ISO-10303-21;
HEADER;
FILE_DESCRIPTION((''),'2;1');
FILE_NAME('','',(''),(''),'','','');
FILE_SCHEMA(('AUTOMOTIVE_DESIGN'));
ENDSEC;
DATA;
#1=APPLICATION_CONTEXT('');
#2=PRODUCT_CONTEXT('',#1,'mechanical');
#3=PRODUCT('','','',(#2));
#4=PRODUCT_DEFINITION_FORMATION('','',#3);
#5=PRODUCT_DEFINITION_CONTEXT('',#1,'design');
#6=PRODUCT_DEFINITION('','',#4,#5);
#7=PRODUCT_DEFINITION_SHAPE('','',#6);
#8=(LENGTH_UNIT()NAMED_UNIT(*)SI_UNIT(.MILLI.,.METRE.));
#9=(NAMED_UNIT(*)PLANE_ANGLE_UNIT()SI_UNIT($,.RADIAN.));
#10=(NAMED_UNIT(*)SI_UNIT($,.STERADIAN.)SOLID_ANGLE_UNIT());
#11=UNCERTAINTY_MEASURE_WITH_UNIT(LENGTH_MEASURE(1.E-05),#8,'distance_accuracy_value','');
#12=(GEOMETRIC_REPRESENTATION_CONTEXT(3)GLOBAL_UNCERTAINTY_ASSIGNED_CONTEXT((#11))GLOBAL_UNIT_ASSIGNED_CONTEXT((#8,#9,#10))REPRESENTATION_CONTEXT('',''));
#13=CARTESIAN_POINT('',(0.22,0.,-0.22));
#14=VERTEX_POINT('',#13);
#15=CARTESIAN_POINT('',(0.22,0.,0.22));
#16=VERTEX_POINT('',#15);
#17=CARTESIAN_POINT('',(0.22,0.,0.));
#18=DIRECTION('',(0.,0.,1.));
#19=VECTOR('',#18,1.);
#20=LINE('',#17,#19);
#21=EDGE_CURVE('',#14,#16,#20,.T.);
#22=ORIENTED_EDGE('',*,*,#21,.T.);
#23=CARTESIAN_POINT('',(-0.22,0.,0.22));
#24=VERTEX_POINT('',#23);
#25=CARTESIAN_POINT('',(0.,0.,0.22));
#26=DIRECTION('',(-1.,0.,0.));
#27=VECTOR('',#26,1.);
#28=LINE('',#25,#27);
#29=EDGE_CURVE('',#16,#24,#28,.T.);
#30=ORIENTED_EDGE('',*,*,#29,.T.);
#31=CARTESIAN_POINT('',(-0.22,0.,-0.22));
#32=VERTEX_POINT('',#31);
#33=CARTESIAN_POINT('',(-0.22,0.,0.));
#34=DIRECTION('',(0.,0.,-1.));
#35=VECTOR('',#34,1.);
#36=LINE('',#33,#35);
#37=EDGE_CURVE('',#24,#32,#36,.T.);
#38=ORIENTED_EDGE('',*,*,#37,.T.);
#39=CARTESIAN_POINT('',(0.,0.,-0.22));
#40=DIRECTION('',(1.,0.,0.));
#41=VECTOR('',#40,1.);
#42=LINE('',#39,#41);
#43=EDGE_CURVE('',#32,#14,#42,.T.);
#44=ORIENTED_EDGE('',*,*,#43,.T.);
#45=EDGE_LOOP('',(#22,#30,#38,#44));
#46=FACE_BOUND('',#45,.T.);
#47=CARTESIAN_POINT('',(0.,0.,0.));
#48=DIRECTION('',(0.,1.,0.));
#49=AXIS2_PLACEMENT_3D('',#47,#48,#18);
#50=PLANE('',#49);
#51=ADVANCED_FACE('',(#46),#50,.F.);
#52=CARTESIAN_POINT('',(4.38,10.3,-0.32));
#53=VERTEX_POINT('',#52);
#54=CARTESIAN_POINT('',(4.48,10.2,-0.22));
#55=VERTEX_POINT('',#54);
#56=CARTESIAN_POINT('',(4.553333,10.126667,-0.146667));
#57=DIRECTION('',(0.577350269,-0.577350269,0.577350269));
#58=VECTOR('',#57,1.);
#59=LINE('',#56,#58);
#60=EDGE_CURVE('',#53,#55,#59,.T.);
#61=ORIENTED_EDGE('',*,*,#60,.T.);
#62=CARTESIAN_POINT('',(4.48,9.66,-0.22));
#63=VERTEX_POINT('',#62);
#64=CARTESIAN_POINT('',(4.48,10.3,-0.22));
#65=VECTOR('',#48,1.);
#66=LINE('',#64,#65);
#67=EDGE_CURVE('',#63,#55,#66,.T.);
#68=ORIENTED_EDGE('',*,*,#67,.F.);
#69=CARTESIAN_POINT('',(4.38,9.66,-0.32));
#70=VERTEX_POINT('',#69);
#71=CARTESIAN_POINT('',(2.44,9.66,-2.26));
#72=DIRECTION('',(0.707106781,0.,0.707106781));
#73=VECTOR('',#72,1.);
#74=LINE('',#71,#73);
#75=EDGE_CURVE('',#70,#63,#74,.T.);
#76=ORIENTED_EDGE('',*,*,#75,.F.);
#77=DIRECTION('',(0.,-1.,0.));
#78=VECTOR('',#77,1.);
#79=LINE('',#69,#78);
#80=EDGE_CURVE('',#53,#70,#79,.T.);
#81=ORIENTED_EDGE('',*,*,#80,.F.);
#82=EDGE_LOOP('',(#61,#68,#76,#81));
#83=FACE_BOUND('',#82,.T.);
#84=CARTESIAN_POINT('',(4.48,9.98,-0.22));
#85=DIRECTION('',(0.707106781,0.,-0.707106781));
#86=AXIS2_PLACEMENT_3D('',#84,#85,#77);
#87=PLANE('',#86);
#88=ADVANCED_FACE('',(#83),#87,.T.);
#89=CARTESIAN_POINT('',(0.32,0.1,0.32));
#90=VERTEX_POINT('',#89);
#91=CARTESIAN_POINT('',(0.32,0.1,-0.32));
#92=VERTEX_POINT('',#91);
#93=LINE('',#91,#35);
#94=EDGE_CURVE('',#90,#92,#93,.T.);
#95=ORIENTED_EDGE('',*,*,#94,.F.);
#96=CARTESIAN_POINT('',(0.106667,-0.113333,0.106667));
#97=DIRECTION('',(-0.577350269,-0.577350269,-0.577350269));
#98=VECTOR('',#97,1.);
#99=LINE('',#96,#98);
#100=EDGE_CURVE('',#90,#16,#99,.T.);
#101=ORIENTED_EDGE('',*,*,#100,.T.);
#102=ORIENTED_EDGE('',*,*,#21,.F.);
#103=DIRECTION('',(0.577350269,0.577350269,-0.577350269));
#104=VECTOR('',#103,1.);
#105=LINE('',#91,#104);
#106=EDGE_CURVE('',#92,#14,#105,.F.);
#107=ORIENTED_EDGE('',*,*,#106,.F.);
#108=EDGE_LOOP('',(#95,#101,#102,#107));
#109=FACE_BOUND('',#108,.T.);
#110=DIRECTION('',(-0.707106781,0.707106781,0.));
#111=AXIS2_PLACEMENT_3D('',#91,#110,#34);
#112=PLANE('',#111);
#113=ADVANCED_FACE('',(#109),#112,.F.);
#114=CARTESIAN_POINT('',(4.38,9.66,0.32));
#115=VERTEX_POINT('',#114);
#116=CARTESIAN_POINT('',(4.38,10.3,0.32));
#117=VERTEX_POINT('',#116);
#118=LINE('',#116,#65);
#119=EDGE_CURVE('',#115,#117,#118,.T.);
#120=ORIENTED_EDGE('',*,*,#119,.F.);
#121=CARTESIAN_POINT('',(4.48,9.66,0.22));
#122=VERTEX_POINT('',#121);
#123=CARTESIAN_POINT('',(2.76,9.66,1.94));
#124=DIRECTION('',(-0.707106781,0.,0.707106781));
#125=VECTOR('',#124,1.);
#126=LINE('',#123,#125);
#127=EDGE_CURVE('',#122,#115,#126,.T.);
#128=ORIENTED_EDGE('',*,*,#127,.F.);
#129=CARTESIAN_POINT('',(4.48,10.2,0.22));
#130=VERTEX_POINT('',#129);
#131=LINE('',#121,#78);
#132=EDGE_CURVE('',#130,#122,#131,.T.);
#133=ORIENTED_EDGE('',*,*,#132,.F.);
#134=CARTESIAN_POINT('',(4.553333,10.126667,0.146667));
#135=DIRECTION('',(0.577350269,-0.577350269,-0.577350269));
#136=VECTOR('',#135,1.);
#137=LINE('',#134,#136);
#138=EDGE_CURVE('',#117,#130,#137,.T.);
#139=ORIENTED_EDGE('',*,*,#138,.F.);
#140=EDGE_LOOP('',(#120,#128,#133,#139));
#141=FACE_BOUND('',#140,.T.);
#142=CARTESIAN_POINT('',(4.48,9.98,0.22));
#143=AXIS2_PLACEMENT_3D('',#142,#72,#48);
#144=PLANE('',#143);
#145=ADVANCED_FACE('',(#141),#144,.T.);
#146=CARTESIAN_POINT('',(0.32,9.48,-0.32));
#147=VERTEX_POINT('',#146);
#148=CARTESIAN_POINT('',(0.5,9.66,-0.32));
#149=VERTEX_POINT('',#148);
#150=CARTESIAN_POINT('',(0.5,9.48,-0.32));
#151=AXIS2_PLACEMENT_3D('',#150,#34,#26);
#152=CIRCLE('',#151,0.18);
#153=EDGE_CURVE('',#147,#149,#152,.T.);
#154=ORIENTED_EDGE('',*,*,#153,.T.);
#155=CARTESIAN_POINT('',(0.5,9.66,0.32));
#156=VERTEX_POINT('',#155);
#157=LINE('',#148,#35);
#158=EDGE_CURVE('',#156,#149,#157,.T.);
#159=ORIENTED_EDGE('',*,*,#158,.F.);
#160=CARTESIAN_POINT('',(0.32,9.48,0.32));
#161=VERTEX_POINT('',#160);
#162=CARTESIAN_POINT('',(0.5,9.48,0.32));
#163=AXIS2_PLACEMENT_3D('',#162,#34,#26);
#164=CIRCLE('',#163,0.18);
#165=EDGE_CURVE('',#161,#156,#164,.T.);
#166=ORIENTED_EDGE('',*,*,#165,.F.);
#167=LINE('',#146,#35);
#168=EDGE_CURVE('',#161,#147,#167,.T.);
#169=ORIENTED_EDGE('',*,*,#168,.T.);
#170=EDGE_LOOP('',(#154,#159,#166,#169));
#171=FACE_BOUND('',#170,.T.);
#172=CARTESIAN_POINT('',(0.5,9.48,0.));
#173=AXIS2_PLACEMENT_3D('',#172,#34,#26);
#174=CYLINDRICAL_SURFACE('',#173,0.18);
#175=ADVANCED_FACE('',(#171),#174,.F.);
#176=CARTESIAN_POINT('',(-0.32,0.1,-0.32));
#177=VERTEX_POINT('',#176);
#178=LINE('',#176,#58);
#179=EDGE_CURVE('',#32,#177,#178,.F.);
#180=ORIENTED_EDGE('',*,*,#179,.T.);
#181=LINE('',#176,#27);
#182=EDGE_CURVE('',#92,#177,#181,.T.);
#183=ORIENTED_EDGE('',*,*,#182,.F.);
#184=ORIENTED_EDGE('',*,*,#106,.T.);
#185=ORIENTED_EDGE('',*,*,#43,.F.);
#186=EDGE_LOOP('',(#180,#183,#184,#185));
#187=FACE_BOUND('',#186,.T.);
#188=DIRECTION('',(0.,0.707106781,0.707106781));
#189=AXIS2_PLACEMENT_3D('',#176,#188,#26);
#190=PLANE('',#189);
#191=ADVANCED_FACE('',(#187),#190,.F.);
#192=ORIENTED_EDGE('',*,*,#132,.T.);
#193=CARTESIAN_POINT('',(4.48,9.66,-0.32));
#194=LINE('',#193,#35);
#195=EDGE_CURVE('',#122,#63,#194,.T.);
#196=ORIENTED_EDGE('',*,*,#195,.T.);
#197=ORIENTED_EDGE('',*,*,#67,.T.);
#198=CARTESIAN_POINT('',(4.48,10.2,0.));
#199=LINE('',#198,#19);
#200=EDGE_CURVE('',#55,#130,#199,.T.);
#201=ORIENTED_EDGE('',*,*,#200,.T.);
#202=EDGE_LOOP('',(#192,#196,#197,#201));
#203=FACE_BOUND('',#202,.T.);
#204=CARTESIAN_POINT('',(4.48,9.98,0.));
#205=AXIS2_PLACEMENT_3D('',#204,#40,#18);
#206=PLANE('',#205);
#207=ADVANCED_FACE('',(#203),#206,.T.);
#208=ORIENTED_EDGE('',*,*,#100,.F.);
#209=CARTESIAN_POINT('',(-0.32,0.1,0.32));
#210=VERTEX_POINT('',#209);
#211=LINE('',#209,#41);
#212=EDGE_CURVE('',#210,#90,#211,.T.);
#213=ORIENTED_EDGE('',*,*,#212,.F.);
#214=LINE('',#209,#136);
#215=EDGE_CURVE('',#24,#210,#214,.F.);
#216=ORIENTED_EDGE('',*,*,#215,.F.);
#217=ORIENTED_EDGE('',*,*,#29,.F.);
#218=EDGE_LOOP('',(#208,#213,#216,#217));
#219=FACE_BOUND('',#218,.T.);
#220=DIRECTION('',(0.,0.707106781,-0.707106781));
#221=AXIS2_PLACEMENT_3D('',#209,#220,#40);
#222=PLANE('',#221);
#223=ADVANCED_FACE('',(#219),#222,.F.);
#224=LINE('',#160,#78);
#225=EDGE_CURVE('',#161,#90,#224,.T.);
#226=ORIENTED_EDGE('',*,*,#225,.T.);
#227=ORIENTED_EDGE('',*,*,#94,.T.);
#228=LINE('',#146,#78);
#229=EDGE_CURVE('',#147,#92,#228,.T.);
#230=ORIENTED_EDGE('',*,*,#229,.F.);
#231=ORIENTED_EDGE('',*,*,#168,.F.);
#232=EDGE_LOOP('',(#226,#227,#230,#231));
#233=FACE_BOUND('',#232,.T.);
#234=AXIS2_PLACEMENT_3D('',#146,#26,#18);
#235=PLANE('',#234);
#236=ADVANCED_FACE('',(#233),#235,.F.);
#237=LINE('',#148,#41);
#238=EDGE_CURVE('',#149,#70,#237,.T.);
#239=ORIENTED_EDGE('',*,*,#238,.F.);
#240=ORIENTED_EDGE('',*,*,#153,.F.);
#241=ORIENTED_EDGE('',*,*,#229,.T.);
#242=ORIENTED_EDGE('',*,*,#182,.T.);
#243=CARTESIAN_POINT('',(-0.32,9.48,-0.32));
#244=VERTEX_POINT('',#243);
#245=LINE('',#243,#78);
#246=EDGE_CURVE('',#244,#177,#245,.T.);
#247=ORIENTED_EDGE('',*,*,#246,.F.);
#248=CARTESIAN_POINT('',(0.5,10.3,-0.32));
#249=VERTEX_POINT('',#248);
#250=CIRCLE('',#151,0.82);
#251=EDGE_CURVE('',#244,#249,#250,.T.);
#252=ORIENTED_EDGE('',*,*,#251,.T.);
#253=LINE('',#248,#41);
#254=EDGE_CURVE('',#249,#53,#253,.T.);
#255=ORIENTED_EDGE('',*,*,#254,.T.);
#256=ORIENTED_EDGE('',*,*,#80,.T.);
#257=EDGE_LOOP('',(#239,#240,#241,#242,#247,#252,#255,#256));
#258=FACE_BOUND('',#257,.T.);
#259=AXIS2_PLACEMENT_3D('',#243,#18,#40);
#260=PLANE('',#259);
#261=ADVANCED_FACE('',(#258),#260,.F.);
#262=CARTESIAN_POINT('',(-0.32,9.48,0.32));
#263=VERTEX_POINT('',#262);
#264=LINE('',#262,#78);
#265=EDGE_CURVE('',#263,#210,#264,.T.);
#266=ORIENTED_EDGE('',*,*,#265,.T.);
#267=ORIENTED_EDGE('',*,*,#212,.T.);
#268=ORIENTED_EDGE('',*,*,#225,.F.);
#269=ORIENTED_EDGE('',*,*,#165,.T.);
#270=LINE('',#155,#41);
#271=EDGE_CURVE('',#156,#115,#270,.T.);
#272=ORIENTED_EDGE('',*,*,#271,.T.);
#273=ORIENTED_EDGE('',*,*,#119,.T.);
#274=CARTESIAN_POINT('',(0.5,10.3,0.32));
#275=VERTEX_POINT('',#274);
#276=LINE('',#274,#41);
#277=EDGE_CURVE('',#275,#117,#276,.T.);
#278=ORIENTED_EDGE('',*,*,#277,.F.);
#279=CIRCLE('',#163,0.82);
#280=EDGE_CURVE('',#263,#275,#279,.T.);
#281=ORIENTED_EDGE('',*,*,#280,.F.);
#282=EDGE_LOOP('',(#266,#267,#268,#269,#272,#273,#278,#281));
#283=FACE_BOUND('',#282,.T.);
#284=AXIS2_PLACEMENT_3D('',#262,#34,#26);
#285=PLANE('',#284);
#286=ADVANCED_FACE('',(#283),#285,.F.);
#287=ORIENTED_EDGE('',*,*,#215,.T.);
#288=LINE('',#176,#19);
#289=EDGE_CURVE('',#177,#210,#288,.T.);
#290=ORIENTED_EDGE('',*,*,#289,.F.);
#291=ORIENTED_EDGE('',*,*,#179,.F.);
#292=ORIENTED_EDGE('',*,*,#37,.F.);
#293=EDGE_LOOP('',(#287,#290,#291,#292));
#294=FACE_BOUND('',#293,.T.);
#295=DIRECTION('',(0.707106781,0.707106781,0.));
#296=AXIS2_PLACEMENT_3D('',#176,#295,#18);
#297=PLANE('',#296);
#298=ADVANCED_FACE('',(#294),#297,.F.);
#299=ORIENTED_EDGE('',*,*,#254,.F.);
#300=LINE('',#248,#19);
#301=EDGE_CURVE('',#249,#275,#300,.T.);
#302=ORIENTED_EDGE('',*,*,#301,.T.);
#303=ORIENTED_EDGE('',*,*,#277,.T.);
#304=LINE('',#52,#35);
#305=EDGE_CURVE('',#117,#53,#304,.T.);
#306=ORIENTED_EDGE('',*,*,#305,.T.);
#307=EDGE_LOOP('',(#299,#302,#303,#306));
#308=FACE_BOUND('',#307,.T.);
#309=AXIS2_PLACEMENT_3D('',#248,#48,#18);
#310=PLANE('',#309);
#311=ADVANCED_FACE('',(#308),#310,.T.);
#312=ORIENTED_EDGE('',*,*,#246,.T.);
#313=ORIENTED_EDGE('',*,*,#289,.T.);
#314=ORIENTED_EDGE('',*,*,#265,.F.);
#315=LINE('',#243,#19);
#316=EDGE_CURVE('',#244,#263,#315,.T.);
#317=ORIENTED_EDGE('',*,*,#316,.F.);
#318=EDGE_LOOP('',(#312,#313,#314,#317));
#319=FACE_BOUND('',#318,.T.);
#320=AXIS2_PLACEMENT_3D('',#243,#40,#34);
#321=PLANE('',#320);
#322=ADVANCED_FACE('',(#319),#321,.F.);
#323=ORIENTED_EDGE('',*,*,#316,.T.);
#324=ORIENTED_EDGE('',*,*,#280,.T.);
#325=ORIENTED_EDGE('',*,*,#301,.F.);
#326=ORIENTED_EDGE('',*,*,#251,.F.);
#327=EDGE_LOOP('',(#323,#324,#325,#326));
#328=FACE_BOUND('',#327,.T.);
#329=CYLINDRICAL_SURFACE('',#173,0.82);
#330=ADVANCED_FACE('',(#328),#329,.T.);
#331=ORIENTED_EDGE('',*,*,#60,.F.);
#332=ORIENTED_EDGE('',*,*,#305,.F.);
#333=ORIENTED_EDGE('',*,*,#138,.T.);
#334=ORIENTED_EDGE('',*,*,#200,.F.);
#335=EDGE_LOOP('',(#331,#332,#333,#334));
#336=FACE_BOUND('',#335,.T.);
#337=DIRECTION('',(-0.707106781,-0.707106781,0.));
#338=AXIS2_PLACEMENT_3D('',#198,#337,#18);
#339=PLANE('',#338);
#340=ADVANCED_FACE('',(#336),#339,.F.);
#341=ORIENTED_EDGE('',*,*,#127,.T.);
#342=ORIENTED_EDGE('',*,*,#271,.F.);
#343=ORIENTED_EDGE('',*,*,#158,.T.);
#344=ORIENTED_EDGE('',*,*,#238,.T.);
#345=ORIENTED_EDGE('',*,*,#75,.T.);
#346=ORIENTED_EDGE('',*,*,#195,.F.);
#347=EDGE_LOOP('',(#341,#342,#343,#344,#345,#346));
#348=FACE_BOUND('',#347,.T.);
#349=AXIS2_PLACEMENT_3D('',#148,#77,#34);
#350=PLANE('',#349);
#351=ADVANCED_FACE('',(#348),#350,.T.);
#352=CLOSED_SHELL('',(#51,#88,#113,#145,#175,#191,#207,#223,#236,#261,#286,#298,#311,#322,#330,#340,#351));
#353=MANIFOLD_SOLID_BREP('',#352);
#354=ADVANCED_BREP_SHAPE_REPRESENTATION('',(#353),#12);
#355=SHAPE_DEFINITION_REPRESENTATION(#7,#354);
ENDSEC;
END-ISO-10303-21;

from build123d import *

# Parameters (mm, degrees)
SKETCH_1_W     = 0.64
SKETCH_1_H     = 0.64
CHAMFER_1_SIZE = 0.1


with BuildPart() as part:
    # По траектории1: sweep along a path in Эскиз2
    with BuildLine(Plane.XY) as sweep_1_path:
        Line((0, 0), (0, 9.48))
        ThreePointArc((0, 9.48), (0.146446609, 9.833553391), (0.5, 9.98))
        Line((0.5, 9.98), (4.48, 9.98))
    # Эскиз1 → По траектории1 (sweep)
    with BuildSketch(Plane(origin=(0, 0, 0), x_dir=(1, 0, 0), z_dir=(0, 1, 0))):
        Rectangle(SKETCH_1_W, SKETCH_1_H)
    sweep(path=sweep_1_path.line)

    # Фаска1
    chamfer_1_edges = [part.edges().sort_by_distance(p)[0] for p in [
        (4.48, 9.98, 0.32),
        (4.48, 10.3, 0),
        (4.48, 9.98, -0.32),
        (0, 0, 0.32),
        (-0.32, 0, 0),
        (0, 0, -0.32),
        (0.32, 0, 0),
    ]]
    chamfer(chamfer_1_edges, length=CHAMFER_1_SIZE)


solid = part.part
